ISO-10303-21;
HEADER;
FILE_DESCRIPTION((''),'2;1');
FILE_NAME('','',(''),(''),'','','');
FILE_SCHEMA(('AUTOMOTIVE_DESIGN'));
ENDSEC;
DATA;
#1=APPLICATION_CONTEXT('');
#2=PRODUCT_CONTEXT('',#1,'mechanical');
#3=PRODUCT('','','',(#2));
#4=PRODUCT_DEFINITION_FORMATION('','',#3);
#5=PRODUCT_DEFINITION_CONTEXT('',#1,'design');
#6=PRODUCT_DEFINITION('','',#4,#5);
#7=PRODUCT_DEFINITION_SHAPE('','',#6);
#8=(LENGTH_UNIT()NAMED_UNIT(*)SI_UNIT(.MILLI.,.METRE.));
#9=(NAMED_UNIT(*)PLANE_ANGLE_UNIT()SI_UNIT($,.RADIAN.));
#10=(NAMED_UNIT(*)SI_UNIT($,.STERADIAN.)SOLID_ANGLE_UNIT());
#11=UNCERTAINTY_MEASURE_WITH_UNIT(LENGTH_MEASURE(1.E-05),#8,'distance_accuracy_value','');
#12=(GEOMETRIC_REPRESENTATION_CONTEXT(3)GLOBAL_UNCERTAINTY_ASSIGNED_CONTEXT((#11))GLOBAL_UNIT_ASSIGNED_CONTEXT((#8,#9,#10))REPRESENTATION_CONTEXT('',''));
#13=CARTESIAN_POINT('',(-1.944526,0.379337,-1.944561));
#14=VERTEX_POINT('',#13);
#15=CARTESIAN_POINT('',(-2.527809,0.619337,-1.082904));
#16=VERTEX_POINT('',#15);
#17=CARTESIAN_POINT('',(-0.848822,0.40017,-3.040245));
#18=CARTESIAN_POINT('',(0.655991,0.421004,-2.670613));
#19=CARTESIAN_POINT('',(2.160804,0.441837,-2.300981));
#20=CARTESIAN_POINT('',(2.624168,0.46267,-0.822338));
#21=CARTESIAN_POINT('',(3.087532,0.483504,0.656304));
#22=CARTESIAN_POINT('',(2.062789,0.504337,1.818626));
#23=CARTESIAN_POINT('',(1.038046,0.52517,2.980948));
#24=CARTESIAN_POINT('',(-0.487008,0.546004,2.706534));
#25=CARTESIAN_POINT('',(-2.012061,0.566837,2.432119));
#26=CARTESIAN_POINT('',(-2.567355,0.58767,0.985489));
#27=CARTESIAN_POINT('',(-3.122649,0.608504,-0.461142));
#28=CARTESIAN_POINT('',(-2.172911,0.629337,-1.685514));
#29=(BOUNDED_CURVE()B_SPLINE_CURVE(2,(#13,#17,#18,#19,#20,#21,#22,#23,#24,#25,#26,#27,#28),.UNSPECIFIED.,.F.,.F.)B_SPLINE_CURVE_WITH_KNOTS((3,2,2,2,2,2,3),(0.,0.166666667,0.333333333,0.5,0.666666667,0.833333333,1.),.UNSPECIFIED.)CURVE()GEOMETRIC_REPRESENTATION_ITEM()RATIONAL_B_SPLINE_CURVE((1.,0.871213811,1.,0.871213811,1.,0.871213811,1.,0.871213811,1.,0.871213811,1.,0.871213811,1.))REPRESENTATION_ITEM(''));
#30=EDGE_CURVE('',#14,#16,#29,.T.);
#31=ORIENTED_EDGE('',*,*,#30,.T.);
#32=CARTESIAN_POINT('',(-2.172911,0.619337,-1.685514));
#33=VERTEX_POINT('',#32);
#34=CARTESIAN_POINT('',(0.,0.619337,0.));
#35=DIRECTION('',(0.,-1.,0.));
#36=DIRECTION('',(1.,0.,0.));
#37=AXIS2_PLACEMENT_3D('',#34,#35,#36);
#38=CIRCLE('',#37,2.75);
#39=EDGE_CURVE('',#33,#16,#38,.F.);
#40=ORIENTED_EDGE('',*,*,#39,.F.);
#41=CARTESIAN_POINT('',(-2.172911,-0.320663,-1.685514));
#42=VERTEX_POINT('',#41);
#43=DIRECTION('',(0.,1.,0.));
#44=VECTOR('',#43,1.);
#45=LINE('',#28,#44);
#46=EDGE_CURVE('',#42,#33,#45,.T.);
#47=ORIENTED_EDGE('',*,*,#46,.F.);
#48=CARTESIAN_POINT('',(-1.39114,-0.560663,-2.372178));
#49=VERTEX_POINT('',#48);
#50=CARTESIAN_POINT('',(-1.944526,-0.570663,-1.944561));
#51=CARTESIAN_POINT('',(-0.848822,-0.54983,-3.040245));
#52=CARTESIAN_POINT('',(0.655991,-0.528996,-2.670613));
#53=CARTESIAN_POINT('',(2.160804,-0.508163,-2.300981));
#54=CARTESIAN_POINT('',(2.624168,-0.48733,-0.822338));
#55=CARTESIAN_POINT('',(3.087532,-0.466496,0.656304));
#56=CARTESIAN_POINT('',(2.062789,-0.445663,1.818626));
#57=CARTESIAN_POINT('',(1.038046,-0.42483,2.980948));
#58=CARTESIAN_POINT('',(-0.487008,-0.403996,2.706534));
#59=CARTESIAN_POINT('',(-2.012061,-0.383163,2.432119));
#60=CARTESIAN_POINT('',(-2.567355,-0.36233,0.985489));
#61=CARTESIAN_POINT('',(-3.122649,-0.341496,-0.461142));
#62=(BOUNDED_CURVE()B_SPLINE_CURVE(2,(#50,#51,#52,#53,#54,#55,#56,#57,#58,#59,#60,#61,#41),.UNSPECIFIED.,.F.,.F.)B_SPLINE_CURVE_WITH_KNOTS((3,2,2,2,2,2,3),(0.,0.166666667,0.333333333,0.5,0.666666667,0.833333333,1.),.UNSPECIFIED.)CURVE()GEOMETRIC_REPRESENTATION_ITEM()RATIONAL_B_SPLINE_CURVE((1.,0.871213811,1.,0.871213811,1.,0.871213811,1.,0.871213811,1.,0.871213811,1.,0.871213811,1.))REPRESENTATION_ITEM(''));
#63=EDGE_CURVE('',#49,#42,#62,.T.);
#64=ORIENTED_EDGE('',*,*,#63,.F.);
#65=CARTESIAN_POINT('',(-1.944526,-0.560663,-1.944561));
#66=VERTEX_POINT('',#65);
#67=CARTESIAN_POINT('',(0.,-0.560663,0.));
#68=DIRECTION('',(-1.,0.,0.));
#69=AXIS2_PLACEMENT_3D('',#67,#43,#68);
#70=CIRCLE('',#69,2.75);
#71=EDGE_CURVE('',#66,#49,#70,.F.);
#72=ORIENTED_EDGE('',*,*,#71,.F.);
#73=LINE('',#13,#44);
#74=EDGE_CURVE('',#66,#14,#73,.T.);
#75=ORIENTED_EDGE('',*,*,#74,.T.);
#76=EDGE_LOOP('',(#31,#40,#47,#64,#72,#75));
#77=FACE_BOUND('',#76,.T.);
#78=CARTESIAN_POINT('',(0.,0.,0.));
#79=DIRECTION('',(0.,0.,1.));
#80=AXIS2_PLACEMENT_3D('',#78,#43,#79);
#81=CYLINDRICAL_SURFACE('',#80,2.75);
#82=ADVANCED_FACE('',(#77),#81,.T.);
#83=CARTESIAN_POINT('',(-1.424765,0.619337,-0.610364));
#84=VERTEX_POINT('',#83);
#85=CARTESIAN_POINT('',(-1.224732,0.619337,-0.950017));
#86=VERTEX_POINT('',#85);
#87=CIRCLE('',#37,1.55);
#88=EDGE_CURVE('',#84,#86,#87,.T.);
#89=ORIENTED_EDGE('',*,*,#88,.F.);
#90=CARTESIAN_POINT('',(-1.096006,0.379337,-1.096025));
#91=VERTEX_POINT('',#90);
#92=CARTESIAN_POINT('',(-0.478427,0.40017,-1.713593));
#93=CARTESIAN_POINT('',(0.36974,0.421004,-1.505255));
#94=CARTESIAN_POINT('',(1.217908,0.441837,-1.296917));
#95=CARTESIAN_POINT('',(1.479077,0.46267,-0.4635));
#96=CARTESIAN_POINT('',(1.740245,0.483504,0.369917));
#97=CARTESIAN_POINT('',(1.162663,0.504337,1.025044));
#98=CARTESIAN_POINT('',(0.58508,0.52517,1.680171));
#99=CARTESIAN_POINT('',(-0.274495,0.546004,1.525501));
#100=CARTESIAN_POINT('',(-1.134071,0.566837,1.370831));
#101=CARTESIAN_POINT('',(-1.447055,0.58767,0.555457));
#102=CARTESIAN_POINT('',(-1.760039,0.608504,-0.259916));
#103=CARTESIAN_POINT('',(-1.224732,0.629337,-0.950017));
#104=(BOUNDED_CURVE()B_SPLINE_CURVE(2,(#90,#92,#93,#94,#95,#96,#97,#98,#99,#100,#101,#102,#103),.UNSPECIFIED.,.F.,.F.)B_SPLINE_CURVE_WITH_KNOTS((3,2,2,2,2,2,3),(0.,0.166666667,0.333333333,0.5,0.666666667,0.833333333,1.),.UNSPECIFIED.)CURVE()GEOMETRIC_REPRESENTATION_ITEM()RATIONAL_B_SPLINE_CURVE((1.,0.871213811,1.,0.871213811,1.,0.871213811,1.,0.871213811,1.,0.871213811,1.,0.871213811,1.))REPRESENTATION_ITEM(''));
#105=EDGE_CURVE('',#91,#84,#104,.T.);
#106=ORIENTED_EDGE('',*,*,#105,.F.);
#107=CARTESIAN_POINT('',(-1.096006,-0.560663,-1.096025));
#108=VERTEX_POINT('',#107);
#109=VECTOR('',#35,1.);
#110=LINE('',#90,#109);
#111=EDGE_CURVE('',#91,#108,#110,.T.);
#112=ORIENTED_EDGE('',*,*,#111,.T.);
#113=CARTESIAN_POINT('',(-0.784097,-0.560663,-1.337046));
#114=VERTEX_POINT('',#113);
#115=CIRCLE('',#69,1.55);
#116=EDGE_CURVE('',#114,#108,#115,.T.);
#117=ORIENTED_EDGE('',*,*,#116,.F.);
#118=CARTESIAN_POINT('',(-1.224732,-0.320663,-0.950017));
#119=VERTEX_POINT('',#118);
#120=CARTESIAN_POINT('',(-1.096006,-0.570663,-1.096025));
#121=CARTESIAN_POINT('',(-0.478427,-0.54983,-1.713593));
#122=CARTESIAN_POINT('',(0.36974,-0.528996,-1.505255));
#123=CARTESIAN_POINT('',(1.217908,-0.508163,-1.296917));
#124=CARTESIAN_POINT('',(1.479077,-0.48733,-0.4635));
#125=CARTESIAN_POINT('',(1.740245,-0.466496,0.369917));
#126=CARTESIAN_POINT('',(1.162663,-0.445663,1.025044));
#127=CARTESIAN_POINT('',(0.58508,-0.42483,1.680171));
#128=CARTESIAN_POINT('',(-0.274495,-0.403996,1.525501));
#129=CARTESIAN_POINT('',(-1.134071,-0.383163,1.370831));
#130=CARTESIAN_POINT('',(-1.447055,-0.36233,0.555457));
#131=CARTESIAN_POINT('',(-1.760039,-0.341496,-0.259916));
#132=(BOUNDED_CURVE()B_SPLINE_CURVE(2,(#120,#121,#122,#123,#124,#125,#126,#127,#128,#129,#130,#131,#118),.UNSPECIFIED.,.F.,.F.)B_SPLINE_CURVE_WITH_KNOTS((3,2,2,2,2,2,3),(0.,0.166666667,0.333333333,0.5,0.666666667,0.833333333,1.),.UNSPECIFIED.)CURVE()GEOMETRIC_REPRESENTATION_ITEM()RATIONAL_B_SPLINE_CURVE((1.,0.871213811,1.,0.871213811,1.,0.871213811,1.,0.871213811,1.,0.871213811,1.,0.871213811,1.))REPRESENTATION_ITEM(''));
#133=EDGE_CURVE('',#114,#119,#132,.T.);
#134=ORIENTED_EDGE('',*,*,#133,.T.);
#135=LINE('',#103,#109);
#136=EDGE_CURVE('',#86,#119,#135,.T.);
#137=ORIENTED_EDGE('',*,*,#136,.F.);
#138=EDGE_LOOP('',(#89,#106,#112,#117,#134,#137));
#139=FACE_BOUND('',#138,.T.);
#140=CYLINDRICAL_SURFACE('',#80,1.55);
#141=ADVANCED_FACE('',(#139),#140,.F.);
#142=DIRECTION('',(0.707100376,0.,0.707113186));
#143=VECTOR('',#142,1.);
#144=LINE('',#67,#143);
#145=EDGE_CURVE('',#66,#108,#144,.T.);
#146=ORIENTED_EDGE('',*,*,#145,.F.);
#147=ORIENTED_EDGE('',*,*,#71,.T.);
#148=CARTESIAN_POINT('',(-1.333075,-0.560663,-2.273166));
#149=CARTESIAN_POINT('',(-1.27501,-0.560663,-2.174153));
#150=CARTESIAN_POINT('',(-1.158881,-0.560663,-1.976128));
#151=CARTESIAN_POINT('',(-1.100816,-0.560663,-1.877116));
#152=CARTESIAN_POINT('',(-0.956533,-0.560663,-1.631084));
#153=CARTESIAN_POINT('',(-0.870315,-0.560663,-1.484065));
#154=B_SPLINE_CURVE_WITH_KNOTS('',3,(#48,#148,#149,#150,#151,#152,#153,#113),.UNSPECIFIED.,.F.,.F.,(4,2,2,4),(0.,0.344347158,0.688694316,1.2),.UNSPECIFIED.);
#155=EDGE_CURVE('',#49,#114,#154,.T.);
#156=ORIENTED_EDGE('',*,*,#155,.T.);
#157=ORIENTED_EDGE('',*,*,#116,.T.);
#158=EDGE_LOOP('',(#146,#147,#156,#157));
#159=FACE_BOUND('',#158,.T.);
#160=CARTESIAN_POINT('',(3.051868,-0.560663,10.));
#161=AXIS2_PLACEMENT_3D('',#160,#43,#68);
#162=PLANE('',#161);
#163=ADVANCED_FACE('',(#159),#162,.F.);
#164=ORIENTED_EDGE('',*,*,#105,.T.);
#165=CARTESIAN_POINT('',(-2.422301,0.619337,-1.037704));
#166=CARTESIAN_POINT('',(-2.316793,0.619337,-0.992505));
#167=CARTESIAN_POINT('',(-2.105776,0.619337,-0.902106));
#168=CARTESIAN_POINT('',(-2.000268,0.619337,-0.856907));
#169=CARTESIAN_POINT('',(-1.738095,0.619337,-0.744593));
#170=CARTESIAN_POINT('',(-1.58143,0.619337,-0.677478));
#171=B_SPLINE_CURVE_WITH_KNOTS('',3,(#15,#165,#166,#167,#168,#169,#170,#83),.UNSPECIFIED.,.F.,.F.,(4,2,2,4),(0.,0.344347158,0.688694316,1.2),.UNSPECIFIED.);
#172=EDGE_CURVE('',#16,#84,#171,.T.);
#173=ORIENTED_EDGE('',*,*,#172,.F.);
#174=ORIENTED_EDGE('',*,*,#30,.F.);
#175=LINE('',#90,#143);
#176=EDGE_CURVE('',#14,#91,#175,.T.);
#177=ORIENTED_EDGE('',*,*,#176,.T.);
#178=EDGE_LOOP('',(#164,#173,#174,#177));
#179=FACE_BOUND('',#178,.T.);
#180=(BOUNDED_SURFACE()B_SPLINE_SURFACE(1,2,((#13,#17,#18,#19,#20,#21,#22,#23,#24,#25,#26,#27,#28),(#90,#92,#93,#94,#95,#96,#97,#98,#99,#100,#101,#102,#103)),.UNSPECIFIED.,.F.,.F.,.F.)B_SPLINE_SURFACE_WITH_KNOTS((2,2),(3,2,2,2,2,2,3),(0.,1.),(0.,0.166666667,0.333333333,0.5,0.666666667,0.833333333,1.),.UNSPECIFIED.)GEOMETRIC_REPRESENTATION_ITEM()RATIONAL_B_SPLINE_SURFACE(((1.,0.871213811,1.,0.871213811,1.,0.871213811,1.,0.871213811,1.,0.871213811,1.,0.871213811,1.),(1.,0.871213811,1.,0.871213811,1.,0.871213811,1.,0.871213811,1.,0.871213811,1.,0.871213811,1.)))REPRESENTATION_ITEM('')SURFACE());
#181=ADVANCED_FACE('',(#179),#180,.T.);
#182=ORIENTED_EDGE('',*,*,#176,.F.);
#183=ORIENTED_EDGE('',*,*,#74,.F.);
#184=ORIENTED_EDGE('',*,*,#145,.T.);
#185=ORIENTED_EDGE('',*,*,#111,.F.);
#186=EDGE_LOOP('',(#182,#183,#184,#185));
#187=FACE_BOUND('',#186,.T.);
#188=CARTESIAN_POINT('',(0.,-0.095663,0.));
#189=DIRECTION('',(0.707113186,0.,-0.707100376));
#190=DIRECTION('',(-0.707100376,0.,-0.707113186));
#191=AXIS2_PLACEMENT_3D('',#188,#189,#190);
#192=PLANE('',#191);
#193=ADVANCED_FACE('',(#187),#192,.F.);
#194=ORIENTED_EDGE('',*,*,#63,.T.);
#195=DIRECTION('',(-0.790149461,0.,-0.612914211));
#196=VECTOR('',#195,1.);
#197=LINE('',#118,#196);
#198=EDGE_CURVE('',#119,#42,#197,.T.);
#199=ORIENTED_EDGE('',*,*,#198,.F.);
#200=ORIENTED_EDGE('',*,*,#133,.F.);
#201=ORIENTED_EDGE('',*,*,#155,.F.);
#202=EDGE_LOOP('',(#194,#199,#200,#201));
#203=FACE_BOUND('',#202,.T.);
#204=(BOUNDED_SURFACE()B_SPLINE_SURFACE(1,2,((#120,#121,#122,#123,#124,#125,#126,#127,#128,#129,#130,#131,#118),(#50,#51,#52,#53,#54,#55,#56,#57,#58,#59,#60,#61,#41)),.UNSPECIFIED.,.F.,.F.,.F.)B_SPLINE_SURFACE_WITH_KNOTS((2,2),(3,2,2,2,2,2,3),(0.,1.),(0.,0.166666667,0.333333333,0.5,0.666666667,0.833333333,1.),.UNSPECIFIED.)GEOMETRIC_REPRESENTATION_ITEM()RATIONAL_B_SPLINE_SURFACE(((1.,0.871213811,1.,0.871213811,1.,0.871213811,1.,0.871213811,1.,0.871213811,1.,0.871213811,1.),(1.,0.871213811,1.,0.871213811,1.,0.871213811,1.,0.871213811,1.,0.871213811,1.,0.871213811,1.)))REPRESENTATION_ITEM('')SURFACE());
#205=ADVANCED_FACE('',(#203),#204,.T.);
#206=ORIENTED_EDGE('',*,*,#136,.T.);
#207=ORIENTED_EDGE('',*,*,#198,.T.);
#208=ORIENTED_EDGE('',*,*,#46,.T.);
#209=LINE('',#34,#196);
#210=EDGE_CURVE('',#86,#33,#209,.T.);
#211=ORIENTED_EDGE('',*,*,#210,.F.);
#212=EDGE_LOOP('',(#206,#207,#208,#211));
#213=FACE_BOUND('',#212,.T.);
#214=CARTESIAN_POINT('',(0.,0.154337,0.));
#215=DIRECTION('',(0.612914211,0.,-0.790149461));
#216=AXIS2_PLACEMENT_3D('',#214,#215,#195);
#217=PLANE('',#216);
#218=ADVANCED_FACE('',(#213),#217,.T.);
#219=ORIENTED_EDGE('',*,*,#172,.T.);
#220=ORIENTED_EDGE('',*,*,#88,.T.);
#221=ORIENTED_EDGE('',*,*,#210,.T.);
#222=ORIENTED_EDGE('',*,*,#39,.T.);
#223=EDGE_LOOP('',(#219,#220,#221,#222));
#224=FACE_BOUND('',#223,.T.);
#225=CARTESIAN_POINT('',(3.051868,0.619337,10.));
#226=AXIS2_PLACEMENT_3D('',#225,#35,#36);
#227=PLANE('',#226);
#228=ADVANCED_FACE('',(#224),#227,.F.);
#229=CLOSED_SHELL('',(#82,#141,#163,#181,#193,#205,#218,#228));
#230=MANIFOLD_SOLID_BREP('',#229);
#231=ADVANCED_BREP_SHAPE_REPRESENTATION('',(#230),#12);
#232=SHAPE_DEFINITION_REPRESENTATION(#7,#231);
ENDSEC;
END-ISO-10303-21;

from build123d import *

# Parameters (mm, degrees)
SWEEP1_PITCH            = 0.255102041
SWEEP1_HEIGHT           = 0.25
SWEEP1_RADIUS           = 2.15
SWEEP1_START_ANGLE      = -135
SKETCH1_W               = 1.2
SKETCH1_H               = 0.95
CUT_EXTRUDE1_DEPTH      = 10
CUT_EXTRUDE1_DEPTH_BACK = 10
SKETCH3_OUTSIDE_W       = 9.074
SKETCH3_OUTSIDE_H       = 4.774
SKETCH3_OUTSIDE_W_2     = 6.103736904
SKETCH3_OUTSIDE_H_2     = 1.18


with BuildPart() as part:
    # Sweep1: sweep along a helix
    with BuildLine() as sweep1_path:
        add(Helix(SWEEP1_PITCH, SWEEP1_HEIGHT, SWEEP1_RADIUS, center=(0, 0, 0), direction=(0, 1, 0), lefthand=True, mode=Mode.PRIVATE).rotate(Axis((0, 0, 0), (0, 1, 0)), SWEEP1_START_ANGLE))
    # Sketch1 → Sweep1 (sweep)
    with BuildSketch(Plane.XY):
        with Locations((2.15, 0)):
            Rectangle(SKETCH1_W, SKETCH1_H)
    sweep(path=sweep1_path.line, is_frenet=True)

    # Sketch3 outside → Cut-Extrude1 (cut, two sides: drawn at the far end of the back side and taken through both)
    with BuildSketch(Plane.XY.offset(-CUT_EXTRUDE1_DEPTH_BACK)):
        with Locations((0, 0.029)):
            Rectangle(SKETCH3_OUTSIDE_W, SKETCH3_OUTSIDE_H)
        with Locations((0, 0.029337102)):
            Rectangle(SKETCH3_OUTSIDE_W_2, SKETCH3_OUTSIDE_H_2, mode=Mode.SUBTRACT)
    extrude(amount=CUT_EXTRUDE1_DEPTH + CUT_EXTRUDE1_DEPTH_BACK, mode=Mode.SUBTRACT)


solid = part.part
